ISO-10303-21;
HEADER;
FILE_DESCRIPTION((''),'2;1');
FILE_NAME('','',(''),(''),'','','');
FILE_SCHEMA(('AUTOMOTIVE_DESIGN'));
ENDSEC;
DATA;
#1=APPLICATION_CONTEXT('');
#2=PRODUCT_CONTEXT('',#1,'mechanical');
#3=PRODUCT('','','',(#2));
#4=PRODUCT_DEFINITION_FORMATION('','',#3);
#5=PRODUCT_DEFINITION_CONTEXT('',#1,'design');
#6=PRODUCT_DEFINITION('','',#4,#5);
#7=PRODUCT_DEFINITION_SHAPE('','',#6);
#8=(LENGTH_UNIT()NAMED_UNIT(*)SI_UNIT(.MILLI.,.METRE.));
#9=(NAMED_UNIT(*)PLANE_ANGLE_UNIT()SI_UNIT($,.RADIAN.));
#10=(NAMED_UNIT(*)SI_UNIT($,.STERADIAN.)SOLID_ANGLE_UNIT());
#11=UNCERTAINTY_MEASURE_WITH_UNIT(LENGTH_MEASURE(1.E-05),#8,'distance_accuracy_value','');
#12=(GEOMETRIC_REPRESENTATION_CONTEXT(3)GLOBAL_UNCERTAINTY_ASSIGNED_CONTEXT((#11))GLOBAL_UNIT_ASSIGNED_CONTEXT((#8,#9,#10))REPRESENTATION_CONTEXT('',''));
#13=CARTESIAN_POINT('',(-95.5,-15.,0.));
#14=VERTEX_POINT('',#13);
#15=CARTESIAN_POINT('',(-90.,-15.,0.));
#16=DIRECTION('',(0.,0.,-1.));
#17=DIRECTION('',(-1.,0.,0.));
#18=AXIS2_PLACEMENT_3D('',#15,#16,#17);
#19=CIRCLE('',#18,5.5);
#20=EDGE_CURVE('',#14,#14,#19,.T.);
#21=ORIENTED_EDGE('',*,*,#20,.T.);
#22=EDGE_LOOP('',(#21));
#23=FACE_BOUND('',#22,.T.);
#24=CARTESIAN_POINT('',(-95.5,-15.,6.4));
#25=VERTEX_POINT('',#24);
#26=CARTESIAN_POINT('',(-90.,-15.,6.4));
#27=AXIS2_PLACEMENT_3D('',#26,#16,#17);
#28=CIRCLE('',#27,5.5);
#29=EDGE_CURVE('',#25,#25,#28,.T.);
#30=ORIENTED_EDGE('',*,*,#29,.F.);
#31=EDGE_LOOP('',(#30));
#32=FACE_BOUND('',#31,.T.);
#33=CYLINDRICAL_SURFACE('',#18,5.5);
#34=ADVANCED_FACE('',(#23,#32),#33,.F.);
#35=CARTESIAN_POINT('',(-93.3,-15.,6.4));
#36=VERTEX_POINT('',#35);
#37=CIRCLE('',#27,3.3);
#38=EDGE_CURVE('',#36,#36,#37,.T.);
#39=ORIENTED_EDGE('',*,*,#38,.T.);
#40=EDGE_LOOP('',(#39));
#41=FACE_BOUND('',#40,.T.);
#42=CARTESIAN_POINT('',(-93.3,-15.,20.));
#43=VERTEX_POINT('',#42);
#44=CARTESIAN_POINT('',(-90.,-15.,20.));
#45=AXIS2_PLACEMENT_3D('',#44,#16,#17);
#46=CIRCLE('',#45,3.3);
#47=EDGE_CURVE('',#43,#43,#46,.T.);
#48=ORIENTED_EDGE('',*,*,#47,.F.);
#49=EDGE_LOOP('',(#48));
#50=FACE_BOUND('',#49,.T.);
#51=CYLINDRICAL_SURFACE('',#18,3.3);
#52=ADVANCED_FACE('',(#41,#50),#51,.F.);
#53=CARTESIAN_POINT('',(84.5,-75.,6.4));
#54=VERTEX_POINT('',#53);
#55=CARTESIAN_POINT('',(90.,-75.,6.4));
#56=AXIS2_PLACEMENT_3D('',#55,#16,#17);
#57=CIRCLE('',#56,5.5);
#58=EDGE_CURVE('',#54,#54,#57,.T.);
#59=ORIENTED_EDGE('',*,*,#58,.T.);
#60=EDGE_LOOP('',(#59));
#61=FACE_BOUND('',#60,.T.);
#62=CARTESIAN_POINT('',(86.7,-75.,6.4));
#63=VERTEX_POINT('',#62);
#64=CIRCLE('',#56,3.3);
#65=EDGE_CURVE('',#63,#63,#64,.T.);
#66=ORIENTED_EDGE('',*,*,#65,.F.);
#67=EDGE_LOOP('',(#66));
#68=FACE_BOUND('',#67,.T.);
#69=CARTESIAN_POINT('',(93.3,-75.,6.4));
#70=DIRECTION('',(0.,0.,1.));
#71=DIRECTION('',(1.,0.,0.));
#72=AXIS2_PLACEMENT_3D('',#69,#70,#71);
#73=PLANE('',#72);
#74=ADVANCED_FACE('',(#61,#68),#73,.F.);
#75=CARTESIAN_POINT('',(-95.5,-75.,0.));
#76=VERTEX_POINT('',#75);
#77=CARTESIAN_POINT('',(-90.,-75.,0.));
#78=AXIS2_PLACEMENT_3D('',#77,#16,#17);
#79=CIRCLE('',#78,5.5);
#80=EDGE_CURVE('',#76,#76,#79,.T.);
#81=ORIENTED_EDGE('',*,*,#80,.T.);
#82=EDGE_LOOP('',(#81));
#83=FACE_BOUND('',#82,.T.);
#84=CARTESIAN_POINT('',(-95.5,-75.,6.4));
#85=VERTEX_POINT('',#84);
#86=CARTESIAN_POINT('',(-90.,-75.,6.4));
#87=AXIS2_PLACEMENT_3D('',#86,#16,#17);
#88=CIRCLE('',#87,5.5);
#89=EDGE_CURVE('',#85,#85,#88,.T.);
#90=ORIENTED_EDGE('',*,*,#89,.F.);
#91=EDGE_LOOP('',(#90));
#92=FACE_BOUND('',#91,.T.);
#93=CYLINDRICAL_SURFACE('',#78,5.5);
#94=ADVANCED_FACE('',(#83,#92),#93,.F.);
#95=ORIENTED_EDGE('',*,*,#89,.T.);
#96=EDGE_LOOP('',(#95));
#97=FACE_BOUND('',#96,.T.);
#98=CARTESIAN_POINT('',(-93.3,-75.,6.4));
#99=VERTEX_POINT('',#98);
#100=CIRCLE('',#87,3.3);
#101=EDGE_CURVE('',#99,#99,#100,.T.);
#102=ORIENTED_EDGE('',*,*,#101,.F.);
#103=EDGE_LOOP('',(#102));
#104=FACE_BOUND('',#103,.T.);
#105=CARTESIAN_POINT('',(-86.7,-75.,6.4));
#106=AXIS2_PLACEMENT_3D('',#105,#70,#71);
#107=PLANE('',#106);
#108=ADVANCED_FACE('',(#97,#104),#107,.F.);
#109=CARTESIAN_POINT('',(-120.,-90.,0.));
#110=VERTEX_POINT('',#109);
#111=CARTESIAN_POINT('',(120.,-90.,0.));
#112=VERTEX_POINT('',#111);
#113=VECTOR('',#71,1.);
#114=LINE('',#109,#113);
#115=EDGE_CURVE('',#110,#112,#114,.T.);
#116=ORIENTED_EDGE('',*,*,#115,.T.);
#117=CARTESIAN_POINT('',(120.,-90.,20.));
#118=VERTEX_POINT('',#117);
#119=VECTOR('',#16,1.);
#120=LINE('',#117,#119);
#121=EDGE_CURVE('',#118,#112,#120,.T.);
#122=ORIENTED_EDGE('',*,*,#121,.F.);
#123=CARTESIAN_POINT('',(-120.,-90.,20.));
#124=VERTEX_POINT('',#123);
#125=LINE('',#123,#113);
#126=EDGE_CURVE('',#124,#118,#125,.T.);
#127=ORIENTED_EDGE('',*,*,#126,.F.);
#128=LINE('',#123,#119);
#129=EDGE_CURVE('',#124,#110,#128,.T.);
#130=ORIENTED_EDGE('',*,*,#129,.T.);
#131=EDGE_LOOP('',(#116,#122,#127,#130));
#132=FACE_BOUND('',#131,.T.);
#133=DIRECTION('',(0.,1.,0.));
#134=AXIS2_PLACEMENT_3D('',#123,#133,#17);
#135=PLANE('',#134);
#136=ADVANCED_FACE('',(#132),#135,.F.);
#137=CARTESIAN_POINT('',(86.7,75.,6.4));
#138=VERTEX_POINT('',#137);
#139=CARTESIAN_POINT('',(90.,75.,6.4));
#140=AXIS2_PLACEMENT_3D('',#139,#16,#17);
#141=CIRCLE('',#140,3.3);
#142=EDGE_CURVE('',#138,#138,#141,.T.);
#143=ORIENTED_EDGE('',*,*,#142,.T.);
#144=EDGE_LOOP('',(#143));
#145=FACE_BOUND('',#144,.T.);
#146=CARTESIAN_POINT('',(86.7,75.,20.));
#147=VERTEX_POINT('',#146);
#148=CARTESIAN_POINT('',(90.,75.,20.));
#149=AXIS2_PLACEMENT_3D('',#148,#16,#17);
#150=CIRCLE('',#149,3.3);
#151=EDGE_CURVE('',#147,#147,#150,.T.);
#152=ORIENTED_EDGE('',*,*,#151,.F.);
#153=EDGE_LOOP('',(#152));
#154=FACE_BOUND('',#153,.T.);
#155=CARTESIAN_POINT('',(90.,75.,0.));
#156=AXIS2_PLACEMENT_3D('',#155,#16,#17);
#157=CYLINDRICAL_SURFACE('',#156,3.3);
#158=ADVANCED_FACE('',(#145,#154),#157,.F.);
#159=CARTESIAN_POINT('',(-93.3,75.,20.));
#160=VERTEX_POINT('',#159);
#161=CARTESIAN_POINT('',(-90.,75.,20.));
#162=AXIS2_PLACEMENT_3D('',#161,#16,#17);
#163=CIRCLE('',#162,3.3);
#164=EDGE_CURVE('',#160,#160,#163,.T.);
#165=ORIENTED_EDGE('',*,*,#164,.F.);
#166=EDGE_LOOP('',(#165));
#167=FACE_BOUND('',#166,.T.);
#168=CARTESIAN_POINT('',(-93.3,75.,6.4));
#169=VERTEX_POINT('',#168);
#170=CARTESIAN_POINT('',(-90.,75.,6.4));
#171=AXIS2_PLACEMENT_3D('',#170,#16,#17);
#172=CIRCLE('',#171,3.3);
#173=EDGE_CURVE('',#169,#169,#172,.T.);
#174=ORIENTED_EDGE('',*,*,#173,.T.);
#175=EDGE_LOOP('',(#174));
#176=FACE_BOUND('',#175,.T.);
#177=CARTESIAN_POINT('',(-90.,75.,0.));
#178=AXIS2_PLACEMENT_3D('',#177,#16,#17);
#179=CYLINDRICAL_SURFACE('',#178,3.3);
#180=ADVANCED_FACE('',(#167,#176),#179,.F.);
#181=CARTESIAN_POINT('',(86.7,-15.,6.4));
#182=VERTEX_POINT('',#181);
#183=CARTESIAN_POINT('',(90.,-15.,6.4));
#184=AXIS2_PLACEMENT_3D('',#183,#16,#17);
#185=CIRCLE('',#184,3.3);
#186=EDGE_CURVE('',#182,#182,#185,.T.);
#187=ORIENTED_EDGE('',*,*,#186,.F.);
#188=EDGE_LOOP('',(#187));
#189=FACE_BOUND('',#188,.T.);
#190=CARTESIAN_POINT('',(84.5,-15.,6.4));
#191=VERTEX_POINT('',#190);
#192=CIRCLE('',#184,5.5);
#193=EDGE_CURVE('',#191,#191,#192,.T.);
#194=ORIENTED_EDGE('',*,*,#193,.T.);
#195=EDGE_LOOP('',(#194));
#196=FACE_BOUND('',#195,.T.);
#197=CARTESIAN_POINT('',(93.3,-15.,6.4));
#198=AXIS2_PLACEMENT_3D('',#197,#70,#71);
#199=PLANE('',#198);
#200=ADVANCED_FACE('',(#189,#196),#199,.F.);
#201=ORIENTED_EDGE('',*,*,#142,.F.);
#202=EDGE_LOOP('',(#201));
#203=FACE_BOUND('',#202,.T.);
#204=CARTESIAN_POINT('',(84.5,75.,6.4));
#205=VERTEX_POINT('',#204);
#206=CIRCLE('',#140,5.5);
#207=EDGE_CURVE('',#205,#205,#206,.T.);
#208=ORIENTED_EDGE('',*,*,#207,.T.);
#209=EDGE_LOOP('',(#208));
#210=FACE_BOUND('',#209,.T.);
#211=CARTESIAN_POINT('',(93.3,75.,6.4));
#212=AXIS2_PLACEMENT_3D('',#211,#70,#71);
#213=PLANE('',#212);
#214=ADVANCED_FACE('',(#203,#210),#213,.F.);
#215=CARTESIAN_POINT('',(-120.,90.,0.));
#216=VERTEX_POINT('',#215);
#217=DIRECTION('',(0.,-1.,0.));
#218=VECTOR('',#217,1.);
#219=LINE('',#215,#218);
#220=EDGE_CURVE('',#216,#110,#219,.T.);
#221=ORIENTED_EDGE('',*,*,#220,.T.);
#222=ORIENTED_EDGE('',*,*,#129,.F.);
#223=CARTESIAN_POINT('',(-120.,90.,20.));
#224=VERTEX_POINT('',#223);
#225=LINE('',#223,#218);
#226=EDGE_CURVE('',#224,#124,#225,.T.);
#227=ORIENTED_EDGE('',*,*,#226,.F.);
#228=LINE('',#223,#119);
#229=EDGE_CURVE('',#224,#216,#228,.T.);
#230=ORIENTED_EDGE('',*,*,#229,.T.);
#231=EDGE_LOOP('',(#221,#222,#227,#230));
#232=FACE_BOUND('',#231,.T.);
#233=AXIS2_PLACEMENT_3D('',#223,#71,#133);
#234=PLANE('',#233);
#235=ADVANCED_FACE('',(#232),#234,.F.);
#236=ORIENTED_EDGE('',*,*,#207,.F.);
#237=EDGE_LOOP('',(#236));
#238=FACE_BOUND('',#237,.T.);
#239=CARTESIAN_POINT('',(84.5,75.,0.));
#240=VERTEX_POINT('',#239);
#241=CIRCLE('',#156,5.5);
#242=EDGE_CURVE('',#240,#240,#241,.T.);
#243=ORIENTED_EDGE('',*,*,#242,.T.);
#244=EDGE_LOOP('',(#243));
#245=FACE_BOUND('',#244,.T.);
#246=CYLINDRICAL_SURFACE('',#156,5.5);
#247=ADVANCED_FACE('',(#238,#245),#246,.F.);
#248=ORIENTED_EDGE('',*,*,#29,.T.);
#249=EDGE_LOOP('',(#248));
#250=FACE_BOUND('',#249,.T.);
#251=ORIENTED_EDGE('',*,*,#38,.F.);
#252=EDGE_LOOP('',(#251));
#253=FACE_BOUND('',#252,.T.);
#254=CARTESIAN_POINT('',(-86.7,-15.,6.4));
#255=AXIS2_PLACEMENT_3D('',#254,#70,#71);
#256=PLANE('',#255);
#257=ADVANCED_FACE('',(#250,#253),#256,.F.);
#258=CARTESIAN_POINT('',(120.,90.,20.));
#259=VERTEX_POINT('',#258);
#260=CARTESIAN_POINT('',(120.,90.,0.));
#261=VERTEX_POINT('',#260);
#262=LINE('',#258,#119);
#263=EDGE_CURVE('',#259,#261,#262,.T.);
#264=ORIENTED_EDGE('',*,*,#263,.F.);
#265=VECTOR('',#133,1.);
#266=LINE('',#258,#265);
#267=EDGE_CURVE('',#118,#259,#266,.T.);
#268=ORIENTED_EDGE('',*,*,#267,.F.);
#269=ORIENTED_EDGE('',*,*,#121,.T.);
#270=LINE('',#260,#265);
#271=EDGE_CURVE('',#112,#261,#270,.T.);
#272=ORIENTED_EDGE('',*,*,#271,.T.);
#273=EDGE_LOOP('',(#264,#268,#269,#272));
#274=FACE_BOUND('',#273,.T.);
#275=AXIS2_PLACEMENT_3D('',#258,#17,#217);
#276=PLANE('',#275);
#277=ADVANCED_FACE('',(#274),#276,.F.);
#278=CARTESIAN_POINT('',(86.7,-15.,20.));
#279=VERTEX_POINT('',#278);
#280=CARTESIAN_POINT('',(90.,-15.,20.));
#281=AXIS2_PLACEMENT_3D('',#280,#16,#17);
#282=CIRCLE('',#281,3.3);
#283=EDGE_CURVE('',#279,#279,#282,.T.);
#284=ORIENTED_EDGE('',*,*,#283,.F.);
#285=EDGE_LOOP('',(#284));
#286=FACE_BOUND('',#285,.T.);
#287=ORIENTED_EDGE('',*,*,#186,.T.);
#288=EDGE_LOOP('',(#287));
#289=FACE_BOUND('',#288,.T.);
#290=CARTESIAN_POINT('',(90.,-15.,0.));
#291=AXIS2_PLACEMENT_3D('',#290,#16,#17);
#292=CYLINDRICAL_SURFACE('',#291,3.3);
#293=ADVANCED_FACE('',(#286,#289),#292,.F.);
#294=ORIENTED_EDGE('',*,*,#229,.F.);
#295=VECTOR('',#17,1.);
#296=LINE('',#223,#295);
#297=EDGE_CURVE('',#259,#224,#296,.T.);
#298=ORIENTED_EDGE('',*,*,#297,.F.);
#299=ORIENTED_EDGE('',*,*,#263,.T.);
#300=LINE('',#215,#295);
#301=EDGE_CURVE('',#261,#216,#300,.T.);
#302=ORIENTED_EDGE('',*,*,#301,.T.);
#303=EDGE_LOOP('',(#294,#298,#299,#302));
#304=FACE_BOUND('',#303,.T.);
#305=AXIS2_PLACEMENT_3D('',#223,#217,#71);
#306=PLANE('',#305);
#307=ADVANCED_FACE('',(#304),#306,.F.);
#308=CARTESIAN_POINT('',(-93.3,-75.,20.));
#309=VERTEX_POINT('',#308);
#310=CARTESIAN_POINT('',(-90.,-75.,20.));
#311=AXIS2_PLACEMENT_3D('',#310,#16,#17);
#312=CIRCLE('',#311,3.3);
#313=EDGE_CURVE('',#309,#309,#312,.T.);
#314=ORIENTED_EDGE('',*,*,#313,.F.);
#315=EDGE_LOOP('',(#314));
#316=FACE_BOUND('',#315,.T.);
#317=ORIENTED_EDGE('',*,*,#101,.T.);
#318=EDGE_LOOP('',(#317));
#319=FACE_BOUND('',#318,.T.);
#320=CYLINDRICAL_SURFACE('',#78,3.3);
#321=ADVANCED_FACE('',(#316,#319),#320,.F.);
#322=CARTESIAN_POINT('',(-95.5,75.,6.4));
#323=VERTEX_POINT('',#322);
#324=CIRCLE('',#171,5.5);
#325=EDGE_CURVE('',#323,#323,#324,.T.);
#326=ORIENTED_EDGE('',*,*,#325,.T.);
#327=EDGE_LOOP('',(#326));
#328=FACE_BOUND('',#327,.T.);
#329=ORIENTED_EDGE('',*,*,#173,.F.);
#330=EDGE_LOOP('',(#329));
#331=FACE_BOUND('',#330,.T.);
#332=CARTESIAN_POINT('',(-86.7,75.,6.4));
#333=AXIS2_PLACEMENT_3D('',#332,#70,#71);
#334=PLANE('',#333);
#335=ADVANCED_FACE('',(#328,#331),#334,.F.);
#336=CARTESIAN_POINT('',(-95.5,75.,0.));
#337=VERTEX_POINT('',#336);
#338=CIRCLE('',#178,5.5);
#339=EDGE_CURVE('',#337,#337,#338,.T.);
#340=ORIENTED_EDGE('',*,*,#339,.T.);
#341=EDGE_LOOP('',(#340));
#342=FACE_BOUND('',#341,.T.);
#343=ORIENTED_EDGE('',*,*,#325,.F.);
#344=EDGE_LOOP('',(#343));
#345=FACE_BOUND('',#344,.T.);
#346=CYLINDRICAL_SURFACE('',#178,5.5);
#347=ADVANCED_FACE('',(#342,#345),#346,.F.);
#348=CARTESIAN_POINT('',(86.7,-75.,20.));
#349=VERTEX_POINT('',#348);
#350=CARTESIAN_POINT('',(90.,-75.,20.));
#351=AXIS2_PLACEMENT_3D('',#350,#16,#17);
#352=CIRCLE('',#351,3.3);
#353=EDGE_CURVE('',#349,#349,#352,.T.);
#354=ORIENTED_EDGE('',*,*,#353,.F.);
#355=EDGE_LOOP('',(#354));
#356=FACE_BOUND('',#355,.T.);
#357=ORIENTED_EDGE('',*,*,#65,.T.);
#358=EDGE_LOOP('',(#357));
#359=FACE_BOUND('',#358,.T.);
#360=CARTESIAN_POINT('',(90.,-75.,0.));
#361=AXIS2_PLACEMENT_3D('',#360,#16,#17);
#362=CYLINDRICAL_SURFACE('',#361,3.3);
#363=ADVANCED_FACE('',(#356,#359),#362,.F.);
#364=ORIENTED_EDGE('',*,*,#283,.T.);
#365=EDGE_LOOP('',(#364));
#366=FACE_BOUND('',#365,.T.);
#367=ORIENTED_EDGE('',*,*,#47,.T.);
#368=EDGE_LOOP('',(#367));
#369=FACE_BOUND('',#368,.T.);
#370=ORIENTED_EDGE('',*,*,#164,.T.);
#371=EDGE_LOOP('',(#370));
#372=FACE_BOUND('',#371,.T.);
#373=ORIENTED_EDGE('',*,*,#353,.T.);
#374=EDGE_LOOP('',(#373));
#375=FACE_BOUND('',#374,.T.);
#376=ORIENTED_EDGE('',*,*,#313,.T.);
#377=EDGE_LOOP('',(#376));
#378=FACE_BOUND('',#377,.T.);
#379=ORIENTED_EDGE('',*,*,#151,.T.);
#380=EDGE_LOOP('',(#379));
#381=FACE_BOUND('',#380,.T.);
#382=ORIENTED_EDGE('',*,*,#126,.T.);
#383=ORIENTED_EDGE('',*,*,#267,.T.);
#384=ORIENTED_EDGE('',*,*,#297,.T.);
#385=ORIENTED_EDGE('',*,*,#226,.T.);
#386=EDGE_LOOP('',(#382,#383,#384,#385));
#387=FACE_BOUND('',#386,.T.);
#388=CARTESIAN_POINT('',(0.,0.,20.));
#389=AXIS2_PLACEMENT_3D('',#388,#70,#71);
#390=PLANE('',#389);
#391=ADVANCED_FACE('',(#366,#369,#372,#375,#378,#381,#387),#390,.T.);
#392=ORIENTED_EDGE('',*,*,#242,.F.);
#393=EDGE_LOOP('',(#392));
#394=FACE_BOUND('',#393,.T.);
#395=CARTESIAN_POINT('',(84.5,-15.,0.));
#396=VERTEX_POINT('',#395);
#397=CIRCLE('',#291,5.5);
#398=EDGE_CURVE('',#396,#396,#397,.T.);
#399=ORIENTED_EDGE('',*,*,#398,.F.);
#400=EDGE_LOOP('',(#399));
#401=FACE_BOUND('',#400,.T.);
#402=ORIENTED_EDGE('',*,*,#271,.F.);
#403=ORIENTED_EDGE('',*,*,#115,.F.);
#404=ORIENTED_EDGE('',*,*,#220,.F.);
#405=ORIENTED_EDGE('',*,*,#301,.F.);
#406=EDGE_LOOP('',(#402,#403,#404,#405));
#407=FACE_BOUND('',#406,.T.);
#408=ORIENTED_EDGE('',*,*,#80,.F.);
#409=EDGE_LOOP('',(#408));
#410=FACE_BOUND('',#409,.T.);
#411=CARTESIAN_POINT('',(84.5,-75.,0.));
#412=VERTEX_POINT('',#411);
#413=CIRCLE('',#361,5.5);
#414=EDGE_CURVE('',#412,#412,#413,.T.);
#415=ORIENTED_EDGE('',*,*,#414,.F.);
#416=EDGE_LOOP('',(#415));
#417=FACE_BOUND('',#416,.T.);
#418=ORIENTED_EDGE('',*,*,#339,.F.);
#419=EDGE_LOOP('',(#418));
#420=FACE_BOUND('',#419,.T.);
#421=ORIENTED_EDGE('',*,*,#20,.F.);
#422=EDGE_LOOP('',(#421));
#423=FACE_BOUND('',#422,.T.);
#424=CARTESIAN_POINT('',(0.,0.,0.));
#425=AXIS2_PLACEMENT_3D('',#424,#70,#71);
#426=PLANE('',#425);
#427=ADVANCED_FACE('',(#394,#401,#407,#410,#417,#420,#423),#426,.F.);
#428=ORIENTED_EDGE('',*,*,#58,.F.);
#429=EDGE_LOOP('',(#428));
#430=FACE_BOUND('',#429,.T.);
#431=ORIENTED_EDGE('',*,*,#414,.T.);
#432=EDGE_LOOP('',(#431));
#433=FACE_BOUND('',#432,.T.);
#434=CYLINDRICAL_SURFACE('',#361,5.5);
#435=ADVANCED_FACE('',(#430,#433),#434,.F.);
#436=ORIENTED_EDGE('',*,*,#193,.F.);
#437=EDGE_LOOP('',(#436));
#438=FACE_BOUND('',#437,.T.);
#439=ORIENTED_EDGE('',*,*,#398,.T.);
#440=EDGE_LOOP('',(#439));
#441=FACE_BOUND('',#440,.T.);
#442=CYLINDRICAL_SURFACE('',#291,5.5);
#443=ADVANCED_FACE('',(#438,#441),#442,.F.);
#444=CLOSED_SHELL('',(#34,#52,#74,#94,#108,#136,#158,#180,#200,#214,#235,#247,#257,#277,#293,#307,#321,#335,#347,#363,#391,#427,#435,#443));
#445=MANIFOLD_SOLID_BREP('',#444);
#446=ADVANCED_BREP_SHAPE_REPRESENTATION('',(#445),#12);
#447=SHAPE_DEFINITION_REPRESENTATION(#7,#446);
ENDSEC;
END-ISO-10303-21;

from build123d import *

# Parameters (mm, degrees)
SKETCH1_W                                           = 240
SKETCH1_H                                           = 180
EXTRUDE1_DEPTH                                      = 20
CBORE_FOR_M6_HEX_SOCKET_HEAD_CAP_SCREW1_D           = 6.6
CBORE_FOR_M6_HEX_SOCKET_HEAD_CAP_SCREW1_CBORE_D     = 11
CBORE_FOR_M6_HEX_SOCKET_HEAD_CAP_SCREW1_CBORE_DEPTH = 6.4


with BuildPart() as part:
    # Sketch1 → Extrude1 (new body)
    with BuildSketch(Plane.XY):
        Rectangle(SKETCH1_W, SKETCH1_H)
    extrude(amount=EXTRUDE1_DEPTH)

    # CBORE for M6 Hex Socket Head Cap Screw1 (through all)
    with Locations(Plane(origin=(0, 0, 0), x_dir=(-1, 0, 0), z_dir=(0, 0, -1))):
        with Locations((-90, 75), (-90, -75), (-90, -15), (90, -15), (90, -75), (90, 75)):
            CounterBoreHole(CBORE_FOR_M6_HEX_SOCKET_HEAD_CAP_SCREW1_D / 2, CBORE_FOR_M6_HEX_SOCKET_HEAD_CAP_SCREW1_CBORE_D / 2, CBORE_FOR_M6_HEX_SOCKET_HEAD_CAP_SCREW1_CBORE_DEPTH)


solid = part.part
